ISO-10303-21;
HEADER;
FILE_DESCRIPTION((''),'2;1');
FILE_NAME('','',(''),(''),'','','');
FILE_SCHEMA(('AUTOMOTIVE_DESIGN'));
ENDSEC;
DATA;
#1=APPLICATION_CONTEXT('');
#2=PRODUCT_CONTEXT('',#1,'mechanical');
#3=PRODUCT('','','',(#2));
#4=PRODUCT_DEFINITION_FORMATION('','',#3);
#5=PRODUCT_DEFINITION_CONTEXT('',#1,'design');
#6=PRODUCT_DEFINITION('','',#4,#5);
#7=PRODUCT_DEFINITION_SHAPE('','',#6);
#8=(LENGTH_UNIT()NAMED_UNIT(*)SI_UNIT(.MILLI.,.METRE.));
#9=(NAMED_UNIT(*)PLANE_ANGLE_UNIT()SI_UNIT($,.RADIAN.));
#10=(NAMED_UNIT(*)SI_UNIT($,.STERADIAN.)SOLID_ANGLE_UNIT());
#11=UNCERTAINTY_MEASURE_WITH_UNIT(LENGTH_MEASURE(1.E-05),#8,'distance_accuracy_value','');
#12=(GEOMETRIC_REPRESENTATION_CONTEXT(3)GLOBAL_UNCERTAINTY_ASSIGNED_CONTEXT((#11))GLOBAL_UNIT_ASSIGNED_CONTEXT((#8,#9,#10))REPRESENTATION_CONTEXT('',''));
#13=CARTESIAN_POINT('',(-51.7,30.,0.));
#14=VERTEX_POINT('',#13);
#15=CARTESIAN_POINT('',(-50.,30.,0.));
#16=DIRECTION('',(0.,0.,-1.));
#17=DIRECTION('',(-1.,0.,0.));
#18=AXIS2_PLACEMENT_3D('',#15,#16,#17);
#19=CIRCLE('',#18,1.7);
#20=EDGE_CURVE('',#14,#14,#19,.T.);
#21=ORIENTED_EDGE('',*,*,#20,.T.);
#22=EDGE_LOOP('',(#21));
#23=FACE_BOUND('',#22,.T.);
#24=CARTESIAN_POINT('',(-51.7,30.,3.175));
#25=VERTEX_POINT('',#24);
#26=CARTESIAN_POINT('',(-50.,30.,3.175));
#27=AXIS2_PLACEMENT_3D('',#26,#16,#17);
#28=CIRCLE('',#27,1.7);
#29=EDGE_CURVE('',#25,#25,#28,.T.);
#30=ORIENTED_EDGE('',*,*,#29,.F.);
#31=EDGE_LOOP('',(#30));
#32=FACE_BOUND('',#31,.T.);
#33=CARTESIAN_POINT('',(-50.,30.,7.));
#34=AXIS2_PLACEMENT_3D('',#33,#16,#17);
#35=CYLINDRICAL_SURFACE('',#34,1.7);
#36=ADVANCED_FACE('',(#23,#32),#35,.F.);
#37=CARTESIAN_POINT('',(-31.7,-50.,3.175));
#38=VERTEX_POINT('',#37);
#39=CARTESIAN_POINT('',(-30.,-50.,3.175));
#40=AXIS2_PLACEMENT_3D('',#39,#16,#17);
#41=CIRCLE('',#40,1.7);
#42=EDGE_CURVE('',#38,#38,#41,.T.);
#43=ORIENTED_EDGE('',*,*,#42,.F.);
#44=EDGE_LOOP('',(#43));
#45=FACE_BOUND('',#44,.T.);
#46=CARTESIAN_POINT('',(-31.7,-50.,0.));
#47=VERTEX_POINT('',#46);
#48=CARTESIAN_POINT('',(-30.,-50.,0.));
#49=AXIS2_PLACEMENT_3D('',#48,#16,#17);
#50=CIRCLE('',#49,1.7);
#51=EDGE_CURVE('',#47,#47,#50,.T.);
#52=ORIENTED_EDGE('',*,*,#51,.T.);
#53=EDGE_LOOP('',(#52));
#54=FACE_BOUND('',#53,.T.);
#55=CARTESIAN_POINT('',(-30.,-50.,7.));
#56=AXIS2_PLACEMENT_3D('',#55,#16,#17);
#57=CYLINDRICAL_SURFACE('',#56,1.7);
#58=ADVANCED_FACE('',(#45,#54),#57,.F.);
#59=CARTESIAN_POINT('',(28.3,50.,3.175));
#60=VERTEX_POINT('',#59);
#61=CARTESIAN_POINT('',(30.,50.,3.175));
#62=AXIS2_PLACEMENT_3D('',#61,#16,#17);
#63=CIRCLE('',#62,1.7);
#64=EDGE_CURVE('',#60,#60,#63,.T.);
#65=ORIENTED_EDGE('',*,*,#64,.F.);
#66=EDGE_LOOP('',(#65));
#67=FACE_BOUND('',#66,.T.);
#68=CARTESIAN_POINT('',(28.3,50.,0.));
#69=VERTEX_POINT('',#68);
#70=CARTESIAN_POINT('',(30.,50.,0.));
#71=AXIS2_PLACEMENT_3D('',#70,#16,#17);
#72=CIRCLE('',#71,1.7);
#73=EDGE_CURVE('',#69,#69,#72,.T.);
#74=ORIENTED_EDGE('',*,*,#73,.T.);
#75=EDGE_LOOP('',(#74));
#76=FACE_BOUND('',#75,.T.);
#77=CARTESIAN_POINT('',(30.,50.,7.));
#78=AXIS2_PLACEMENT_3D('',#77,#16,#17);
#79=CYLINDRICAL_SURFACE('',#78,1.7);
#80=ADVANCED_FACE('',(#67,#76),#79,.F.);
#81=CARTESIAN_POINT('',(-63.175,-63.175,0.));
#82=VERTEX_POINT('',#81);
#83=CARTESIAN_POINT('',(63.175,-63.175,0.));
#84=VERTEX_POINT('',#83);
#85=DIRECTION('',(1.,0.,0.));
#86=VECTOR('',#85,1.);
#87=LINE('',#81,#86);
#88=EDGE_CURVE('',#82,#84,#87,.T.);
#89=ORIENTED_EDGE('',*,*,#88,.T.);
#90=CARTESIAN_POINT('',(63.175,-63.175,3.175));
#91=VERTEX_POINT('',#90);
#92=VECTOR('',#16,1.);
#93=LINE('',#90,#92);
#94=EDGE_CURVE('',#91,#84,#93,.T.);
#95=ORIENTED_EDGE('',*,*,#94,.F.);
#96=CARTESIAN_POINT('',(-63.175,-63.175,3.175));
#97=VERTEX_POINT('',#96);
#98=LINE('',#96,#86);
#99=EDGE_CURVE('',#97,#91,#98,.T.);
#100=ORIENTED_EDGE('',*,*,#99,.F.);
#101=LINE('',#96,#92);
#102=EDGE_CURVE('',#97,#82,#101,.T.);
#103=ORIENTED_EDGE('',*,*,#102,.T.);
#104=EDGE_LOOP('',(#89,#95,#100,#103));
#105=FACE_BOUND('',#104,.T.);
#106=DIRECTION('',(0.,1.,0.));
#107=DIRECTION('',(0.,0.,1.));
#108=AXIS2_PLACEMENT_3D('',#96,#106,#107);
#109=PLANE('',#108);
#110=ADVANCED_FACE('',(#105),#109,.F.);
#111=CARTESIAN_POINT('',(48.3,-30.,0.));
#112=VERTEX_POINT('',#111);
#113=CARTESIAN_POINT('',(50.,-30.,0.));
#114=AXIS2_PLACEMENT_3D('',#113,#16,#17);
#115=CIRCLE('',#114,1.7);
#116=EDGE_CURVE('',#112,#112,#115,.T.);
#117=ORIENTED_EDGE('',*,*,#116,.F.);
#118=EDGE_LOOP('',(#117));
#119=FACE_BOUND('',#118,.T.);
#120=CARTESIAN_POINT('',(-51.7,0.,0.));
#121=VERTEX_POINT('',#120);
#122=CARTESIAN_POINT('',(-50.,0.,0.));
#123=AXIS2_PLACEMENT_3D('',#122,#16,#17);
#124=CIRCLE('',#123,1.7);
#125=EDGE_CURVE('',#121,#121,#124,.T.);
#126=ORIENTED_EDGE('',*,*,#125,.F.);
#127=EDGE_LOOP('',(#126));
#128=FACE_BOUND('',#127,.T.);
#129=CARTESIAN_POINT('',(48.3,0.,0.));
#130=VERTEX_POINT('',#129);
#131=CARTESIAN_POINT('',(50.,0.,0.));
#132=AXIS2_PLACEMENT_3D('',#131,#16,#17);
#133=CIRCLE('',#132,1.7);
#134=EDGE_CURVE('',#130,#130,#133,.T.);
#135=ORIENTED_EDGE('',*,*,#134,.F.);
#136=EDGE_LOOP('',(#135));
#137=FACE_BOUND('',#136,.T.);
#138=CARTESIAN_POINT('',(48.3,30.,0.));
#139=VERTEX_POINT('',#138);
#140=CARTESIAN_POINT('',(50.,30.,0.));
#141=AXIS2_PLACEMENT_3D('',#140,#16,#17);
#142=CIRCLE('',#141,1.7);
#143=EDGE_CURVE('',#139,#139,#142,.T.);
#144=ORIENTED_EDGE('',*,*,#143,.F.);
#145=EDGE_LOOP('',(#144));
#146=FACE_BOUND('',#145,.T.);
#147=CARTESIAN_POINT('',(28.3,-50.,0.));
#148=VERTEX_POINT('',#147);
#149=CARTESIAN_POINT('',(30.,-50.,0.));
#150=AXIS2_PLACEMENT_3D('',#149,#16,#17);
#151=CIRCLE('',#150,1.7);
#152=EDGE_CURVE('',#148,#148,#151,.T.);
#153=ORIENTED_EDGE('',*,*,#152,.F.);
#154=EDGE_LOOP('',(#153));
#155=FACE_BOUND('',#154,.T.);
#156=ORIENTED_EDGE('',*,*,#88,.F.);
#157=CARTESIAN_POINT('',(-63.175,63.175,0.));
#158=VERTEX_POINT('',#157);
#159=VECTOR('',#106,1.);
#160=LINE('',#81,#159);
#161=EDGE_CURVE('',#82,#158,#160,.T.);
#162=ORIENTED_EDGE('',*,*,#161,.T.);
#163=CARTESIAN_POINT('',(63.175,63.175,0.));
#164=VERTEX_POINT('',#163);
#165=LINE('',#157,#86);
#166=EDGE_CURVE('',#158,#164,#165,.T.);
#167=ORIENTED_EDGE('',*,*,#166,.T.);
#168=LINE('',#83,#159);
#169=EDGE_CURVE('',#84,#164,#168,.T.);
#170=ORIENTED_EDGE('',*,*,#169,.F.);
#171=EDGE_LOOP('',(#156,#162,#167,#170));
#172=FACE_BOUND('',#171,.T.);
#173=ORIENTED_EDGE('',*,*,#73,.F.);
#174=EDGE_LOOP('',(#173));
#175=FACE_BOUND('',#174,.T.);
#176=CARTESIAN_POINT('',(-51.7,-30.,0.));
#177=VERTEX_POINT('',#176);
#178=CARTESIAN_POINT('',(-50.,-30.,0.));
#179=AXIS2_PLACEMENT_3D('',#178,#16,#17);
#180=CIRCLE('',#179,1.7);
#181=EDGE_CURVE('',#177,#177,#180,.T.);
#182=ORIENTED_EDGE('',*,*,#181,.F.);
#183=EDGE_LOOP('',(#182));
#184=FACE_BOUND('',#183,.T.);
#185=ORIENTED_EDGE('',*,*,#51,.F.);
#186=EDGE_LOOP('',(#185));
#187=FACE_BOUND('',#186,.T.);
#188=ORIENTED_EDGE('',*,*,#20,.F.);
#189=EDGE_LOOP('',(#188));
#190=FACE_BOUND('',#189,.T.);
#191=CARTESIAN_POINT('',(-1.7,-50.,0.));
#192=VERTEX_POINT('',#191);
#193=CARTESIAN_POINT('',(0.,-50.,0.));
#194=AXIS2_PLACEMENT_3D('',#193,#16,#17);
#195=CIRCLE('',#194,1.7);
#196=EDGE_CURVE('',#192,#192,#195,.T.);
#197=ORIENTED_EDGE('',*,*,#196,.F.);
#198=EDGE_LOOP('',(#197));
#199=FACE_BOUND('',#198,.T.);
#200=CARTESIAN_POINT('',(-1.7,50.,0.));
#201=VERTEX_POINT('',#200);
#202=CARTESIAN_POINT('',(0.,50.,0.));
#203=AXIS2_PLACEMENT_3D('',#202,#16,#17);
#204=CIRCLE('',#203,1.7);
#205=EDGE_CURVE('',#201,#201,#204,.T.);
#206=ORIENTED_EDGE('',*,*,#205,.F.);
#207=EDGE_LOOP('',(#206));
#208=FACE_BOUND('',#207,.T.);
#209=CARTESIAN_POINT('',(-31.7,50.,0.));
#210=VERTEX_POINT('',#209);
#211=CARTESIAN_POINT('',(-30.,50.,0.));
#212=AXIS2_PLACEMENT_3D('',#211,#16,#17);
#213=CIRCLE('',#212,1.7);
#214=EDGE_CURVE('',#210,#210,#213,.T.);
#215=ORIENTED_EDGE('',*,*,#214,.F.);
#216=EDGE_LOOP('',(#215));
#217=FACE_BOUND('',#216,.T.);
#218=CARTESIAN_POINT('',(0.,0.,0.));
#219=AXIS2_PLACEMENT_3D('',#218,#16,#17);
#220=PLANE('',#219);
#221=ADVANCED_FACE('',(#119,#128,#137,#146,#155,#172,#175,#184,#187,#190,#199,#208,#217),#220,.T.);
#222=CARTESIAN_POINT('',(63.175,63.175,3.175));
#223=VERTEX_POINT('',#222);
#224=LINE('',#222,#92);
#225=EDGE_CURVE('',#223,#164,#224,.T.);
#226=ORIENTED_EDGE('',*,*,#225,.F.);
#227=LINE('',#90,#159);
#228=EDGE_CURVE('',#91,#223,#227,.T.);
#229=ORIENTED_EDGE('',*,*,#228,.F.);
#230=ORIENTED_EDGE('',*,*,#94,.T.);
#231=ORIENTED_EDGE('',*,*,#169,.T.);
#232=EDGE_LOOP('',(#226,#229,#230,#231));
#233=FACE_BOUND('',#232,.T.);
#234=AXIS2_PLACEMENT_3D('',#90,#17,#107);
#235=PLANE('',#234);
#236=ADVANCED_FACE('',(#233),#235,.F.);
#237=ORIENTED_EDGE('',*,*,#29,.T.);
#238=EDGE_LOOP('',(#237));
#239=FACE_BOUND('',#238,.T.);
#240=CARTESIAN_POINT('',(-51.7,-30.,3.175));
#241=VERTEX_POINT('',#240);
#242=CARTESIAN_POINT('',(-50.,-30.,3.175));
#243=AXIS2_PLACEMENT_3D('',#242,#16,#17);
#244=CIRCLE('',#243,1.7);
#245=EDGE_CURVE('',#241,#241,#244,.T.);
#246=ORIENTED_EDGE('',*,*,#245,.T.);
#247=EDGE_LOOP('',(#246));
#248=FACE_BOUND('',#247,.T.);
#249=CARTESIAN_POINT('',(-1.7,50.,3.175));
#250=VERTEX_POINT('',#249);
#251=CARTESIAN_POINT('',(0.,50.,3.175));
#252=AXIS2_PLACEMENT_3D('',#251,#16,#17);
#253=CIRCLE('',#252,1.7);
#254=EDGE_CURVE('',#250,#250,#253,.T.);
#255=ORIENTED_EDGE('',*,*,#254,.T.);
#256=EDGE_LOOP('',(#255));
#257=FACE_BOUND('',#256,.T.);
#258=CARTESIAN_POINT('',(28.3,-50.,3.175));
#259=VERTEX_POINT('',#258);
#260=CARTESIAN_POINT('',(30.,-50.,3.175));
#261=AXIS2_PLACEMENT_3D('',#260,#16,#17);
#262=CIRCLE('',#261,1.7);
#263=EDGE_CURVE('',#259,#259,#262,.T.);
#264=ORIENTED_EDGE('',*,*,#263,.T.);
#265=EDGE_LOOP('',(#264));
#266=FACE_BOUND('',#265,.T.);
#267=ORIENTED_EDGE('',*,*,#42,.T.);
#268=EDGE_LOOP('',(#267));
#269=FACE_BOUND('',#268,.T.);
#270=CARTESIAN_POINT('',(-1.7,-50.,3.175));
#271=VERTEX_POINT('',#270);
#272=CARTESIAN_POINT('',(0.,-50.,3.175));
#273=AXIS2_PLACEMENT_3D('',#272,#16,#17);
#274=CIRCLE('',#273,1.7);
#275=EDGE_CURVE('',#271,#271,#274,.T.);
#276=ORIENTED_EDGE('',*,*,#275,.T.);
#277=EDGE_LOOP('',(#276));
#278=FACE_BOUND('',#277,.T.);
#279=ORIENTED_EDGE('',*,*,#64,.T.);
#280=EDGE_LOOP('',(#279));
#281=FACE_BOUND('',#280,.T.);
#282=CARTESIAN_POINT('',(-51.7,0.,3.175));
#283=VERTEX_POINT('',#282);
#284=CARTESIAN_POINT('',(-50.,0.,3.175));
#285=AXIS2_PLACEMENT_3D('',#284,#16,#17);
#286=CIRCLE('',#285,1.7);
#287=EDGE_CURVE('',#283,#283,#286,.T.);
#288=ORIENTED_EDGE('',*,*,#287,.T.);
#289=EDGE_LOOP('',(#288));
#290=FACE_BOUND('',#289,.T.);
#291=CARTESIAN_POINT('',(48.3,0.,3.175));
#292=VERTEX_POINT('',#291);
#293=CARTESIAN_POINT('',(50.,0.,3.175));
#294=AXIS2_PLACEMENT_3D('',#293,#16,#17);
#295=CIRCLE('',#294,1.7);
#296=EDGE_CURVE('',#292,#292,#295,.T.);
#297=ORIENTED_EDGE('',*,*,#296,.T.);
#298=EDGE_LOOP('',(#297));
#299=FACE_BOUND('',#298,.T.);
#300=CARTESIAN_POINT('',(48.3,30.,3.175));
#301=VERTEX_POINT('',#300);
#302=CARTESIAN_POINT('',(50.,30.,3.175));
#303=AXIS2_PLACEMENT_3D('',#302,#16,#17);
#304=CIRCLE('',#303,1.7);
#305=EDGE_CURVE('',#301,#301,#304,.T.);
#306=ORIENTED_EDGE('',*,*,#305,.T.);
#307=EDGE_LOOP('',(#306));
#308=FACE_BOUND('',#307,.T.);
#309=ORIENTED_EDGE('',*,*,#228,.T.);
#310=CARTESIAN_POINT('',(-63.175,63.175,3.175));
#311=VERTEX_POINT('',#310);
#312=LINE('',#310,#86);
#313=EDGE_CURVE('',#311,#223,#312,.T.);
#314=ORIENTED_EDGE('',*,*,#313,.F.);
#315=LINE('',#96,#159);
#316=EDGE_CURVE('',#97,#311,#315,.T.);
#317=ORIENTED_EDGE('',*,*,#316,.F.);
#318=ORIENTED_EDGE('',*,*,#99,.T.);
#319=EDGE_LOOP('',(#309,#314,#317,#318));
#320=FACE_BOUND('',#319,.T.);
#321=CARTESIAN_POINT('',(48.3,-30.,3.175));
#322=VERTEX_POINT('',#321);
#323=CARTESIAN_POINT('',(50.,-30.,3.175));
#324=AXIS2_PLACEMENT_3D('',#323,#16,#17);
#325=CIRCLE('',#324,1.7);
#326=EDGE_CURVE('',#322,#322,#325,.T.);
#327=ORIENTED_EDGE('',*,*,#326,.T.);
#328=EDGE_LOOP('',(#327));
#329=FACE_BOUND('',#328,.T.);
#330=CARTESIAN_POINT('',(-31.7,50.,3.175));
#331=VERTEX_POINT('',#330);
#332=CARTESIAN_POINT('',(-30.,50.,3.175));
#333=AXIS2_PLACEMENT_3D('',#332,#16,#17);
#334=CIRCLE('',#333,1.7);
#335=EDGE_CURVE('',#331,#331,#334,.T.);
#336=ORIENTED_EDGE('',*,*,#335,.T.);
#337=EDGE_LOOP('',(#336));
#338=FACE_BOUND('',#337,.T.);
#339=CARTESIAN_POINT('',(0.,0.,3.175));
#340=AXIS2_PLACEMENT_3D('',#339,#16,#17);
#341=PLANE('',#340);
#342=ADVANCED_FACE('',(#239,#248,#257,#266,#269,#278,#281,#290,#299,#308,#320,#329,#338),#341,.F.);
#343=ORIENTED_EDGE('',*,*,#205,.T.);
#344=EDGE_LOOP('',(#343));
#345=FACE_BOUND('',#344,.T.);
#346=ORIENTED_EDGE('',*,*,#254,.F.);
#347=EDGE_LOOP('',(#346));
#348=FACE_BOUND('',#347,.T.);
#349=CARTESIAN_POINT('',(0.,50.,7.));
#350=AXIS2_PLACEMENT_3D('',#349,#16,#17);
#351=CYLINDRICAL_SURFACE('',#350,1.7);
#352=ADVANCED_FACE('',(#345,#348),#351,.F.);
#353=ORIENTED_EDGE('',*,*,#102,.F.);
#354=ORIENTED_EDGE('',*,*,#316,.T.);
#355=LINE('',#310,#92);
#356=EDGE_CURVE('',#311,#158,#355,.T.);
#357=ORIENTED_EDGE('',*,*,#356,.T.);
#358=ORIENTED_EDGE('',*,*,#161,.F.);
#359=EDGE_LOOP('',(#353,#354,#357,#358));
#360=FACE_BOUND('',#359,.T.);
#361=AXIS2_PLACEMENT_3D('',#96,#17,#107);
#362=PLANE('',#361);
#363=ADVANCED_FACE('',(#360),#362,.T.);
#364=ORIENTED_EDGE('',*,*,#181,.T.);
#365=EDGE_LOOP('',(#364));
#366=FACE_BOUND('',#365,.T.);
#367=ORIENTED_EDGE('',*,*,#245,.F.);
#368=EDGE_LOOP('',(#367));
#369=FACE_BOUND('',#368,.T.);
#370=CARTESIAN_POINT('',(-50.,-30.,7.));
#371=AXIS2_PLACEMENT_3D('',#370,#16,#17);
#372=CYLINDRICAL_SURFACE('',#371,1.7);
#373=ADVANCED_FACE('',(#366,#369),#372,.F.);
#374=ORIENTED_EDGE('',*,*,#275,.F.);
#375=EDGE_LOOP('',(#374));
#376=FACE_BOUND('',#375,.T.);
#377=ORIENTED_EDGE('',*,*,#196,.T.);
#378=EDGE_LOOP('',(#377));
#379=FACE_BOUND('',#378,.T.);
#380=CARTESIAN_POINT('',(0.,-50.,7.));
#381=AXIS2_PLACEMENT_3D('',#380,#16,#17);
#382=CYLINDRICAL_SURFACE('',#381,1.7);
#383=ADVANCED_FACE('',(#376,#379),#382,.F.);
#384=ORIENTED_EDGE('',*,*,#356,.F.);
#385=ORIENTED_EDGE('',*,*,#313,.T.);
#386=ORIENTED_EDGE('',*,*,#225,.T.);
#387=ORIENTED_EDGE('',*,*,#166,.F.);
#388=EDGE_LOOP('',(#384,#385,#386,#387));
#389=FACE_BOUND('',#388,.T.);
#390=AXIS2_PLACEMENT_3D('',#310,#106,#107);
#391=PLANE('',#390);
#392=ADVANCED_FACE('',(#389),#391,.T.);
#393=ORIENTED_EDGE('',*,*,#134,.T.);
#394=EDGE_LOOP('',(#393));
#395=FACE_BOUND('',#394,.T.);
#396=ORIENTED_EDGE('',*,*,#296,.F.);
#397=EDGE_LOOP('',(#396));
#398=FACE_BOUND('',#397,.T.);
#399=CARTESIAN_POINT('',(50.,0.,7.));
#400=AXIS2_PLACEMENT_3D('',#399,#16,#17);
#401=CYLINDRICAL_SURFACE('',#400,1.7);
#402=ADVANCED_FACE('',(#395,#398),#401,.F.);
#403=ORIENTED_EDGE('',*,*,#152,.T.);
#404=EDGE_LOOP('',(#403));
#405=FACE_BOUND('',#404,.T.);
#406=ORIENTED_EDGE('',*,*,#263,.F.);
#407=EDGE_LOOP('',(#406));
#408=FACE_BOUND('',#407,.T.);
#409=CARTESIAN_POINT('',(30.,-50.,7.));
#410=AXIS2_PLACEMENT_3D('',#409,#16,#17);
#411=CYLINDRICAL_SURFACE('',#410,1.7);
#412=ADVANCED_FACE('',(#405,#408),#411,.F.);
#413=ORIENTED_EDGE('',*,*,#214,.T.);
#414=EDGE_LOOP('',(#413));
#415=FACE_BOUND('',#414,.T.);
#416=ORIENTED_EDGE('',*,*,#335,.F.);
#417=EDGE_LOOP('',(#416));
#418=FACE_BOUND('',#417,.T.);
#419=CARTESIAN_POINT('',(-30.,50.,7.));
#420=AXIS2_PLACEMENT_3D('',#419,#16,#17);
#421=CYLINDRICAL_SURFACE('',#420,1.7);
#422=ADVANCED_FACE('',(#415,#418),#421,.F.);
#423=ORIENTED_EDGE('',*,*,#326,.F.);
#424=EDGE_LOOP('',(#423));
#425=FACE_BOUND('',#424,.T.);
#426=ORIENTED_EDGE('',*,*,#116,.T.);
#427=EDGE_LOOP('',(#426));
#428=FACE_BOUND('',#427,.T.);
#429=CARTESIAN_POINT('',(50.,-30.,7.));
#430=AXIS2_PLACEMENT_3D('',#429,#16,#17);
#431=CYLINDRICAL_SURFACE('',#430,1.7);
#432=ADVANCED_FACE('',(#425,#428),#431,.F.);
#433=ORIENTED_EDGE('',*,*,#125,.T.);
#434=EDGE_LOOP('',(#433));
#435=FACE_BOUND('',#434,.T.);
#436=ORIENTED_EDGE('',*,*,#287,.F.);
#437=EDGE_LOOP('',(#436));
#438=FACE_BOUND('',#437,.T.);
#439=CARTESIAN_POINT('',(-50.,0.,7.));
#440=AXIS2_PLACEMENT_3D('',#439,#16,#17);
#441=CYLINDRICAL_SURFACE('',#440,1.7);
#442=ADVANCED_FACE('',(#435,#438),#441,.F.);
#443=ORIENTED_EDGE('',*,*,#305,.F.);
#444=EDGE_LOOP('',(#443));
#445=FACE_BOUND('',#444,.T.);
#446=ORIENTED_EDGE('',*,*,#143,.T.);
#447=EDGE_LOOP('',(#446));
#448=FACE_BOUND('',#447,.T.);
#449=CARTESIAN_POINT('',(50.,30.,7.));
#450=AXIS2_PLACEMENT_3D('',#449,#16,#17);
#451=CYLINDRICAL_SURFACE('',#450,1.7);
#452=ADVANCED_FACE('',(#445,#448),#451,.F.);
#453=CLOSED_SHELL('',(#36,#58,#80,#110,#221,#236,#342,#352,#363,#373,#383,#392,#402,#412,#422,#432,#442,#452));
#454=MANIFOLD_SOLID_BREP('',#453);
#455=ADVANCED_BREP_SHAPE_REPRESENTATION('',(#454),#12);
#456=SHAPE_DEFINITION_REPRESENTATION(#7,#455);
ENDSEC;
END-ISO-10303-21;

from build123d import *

# Parameters (mm, degrees)
SKETCH1_W           = 126.35
SKETCH1_H           = 126.35
BOSS_EXTRUDE1_DEPTH = 3.175
SKETCH2_R           = 1.7
CUT_EXTRUDE1_DEPTH  = 7


with BuildPart() as part:
    # Sketch1 → Boss-Extrude1 (new body)
    with BuildSketch(Plane.XY):
        Rectangle(SKETCH1_W, SKETCH1_H)
    extrude(amount=BOSS_EXTRUDE1_DEPTH)

    # Sketch2 → Cut-Extrude1 (cut)
    with BuildSketch(Plane(origin=(-17.047760395, -31.681970197, 0), x_dir=(-1, 0, 0), z_dir=(0, 0, -1))):
        with Locations((-17.047760395, -18.318029803)):
            Circle(SKETCH2_R)
        with Locations((12.952239605, -18.318029803)):
            Circle(SKETCH2_R)
        with Locations((-47.047760395, -18.318029803)):
            Circle(SKETCH2_R)
        with Locations((-67.047760395, 61.681970197)):
            Circle(SKETCH2_R)
        with Locations((-67.047760395, 31.681970197)):
            Circle(SKETCH2_R)
        with Locations((-67.047760395, 1.681970197)):
            Circle(SKETCH2_R)
        with Locations((12.952239605, 81.681970197)):
            Circle(SKETCH2_R)
        with Locations((-17.047760395, 81.681970197)):
            Circle(SKETCH2_R)
        with Locations((-47.047760395, 81.681970197)):
            Circle(SKETCH2_R)
        with Locations((32.952239605, 1.681970197)):
            Circle(SKETCH2_R)
        with Locations((32.952239605, 31.681970197)):
            Circle(SKETCH2_R)
        with Locations((32.952239605, 61.681970197)):
            Circle(SKETCH2_R)
    extrude(amount=-CUT_EXTRUDE1_DEPTH, mode=Mode.SUBTRACT)


solid = part.part
